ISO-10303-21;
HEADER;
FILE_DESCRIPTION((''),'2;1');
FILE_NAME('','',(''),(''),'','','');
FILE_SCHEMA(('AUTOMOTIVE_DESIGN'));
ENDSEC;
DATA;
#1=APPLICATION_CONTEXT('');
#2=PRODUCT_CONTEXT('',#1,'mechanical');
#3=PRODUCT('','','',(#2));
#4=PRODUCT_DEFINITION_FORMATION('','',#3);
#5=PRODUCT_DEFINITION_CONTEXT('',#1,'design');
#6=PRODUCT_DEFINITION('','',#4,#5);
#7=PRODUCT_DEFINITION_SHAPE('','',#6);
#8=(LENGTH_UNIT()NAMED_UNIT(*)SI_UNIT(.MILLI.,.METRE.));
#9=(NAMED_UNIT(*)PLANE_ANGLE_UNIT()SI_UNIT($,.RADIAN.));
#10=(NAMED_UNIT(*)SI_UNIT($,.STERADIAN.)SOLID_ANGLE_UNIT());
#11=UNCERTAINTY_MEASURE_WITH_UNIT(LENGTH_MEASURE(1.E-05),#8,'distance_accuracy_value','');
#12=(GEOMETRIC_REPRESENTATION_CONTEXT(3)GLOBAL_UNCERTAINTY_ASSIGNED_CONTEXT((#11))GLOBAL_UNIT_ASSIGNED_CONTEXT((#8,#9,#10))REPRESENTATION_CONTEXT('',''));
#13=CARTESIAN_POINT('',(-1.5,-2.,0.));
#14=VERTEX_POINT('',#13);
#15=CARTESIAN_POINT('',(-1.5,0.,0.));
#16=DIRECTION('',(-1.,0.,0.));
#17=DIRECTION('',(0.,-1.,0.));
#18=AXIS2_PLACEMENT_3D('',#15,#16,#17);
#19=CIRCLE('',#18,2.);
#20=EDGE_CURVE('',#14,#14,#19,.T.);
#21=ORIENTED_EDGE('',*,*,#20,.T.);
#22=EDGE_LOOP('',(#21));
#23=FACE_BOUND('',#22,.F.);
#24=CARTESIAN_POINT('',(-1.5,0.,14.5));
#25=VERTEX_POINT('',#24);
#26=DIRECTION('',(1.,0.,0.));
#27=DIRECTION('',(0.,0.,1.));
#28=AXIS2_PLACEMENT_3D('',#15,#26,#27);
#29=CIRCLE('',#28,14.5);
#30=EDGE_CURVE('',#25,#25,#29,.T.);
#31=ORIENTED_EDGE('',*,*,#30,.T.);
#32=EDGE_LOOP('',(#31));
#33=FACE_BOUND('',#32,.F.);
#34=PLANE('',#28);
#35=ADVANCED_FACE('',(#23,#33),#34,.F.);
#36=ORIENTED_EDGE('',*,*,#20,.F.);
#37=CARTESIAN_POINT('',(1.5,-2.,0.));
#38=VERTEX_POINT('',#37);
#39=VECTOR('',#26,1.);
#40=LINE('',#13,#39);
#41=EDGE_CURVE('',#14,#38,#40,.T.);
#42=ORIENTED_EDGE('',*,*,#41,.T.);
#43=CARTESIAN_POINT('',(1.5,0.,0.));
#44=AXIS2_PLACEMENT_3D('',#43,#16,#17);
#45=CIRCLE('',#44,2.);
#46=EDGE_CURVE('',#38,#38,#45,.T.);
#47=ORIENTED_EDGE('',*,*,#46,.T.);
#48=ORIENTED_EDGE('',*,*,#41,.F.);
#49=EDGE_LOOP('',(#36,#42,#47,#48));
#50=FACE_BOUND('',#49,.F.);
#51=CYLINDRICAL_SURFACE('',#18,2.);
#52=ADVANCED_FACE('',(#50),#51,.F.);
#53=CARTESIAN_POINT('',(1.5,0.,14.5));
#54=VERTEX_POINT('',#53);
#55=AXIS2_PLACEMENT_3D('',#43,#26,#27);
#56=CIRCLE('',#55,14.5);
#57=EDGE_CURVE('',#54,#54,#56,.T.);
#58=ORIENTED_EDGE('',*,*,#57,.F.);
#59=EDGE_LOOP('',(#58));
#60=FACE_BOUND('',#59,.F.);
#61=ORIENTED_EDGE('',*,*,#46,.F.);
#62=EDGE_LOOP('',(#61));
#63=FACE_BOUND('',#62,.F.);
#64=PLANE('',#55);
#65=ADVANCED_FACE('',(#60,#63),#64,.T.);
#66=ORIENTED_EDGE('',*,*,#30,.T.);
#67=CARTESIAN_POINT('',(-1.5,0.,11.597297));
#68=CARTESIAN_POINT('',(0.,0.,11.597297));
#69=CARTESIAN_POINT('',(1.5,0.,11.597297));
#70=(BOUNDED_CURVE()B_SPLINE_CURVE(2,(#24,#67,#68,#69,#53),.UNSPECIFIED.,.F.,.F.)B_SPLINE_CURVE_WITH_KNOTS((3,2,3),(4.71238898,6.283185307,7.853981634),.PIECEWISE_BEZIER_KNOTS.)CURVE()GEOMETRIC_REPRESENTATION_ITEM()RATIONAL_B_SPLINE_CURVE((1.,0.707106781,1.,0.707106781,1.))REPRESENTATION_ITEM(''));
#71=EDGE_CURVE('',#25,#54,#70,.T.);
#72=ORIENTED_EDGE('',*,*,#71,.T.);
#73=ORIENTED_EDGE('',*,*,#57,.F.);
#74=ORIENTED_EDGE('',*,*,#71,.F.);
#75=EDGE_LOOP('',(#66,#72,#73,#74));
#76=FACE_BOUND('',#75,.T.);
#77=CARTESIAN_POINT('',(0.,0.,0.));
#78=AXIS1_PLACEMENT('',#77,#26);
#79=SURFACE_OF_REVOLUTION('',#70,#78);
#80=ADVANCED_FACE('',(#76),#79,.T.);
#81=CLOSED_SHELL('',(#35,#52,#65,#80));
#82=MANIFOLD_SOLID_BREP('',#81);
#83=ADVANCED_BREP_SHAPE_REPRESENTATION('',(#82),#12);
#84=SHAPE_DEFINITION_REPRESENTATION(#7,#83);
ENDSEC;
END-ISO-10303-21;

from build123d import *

# Parameters (mm, degrees)
F2_R     = 2
F3_DEPTH = 25


with BuildPart() as f1:
    # F0 (on Front) → F1 (revolve)
    with BuildSketch(Plane.XZ):
        with BuildLine():
            add(Edge.make_bspline(
                [(-1.5, 14.5), (-1.5, 11.5972971185), (0, 11.5972971185), (1.5, 11.5972971185), (1.5, 14.5)],
                knots=[4.7123889804, 4.7123889804, 4.7123889804, 6.2831853072, 6.2831853072, 7.853981634, 7.853981634, 7.853981634], degree=2, weights=[1, 0.7071067812, 1, 0.7071067812, 1]))
            Line((-1.5, 14.5), (-1.5, 0))
            Line((-1.5, 0), (1.5, 0))
            Line((1.5, 0), (1.5, 14.5))
        make_face()
    revolve(axis=Axis((0, 0, 0), (1, 0, 0)))

    # F2 (on face) → F3 (cut)
    with BuildSketch(Plane(origin=(-1.5, 0, 0), x_dir=(0, -1, 0), z_dir=(-1, 0, 0))):
        Circle(F2_R)
    extrude(amount=-F3_DEPTH, mode=Mode.SUBTRACT)


solid = f1.part
